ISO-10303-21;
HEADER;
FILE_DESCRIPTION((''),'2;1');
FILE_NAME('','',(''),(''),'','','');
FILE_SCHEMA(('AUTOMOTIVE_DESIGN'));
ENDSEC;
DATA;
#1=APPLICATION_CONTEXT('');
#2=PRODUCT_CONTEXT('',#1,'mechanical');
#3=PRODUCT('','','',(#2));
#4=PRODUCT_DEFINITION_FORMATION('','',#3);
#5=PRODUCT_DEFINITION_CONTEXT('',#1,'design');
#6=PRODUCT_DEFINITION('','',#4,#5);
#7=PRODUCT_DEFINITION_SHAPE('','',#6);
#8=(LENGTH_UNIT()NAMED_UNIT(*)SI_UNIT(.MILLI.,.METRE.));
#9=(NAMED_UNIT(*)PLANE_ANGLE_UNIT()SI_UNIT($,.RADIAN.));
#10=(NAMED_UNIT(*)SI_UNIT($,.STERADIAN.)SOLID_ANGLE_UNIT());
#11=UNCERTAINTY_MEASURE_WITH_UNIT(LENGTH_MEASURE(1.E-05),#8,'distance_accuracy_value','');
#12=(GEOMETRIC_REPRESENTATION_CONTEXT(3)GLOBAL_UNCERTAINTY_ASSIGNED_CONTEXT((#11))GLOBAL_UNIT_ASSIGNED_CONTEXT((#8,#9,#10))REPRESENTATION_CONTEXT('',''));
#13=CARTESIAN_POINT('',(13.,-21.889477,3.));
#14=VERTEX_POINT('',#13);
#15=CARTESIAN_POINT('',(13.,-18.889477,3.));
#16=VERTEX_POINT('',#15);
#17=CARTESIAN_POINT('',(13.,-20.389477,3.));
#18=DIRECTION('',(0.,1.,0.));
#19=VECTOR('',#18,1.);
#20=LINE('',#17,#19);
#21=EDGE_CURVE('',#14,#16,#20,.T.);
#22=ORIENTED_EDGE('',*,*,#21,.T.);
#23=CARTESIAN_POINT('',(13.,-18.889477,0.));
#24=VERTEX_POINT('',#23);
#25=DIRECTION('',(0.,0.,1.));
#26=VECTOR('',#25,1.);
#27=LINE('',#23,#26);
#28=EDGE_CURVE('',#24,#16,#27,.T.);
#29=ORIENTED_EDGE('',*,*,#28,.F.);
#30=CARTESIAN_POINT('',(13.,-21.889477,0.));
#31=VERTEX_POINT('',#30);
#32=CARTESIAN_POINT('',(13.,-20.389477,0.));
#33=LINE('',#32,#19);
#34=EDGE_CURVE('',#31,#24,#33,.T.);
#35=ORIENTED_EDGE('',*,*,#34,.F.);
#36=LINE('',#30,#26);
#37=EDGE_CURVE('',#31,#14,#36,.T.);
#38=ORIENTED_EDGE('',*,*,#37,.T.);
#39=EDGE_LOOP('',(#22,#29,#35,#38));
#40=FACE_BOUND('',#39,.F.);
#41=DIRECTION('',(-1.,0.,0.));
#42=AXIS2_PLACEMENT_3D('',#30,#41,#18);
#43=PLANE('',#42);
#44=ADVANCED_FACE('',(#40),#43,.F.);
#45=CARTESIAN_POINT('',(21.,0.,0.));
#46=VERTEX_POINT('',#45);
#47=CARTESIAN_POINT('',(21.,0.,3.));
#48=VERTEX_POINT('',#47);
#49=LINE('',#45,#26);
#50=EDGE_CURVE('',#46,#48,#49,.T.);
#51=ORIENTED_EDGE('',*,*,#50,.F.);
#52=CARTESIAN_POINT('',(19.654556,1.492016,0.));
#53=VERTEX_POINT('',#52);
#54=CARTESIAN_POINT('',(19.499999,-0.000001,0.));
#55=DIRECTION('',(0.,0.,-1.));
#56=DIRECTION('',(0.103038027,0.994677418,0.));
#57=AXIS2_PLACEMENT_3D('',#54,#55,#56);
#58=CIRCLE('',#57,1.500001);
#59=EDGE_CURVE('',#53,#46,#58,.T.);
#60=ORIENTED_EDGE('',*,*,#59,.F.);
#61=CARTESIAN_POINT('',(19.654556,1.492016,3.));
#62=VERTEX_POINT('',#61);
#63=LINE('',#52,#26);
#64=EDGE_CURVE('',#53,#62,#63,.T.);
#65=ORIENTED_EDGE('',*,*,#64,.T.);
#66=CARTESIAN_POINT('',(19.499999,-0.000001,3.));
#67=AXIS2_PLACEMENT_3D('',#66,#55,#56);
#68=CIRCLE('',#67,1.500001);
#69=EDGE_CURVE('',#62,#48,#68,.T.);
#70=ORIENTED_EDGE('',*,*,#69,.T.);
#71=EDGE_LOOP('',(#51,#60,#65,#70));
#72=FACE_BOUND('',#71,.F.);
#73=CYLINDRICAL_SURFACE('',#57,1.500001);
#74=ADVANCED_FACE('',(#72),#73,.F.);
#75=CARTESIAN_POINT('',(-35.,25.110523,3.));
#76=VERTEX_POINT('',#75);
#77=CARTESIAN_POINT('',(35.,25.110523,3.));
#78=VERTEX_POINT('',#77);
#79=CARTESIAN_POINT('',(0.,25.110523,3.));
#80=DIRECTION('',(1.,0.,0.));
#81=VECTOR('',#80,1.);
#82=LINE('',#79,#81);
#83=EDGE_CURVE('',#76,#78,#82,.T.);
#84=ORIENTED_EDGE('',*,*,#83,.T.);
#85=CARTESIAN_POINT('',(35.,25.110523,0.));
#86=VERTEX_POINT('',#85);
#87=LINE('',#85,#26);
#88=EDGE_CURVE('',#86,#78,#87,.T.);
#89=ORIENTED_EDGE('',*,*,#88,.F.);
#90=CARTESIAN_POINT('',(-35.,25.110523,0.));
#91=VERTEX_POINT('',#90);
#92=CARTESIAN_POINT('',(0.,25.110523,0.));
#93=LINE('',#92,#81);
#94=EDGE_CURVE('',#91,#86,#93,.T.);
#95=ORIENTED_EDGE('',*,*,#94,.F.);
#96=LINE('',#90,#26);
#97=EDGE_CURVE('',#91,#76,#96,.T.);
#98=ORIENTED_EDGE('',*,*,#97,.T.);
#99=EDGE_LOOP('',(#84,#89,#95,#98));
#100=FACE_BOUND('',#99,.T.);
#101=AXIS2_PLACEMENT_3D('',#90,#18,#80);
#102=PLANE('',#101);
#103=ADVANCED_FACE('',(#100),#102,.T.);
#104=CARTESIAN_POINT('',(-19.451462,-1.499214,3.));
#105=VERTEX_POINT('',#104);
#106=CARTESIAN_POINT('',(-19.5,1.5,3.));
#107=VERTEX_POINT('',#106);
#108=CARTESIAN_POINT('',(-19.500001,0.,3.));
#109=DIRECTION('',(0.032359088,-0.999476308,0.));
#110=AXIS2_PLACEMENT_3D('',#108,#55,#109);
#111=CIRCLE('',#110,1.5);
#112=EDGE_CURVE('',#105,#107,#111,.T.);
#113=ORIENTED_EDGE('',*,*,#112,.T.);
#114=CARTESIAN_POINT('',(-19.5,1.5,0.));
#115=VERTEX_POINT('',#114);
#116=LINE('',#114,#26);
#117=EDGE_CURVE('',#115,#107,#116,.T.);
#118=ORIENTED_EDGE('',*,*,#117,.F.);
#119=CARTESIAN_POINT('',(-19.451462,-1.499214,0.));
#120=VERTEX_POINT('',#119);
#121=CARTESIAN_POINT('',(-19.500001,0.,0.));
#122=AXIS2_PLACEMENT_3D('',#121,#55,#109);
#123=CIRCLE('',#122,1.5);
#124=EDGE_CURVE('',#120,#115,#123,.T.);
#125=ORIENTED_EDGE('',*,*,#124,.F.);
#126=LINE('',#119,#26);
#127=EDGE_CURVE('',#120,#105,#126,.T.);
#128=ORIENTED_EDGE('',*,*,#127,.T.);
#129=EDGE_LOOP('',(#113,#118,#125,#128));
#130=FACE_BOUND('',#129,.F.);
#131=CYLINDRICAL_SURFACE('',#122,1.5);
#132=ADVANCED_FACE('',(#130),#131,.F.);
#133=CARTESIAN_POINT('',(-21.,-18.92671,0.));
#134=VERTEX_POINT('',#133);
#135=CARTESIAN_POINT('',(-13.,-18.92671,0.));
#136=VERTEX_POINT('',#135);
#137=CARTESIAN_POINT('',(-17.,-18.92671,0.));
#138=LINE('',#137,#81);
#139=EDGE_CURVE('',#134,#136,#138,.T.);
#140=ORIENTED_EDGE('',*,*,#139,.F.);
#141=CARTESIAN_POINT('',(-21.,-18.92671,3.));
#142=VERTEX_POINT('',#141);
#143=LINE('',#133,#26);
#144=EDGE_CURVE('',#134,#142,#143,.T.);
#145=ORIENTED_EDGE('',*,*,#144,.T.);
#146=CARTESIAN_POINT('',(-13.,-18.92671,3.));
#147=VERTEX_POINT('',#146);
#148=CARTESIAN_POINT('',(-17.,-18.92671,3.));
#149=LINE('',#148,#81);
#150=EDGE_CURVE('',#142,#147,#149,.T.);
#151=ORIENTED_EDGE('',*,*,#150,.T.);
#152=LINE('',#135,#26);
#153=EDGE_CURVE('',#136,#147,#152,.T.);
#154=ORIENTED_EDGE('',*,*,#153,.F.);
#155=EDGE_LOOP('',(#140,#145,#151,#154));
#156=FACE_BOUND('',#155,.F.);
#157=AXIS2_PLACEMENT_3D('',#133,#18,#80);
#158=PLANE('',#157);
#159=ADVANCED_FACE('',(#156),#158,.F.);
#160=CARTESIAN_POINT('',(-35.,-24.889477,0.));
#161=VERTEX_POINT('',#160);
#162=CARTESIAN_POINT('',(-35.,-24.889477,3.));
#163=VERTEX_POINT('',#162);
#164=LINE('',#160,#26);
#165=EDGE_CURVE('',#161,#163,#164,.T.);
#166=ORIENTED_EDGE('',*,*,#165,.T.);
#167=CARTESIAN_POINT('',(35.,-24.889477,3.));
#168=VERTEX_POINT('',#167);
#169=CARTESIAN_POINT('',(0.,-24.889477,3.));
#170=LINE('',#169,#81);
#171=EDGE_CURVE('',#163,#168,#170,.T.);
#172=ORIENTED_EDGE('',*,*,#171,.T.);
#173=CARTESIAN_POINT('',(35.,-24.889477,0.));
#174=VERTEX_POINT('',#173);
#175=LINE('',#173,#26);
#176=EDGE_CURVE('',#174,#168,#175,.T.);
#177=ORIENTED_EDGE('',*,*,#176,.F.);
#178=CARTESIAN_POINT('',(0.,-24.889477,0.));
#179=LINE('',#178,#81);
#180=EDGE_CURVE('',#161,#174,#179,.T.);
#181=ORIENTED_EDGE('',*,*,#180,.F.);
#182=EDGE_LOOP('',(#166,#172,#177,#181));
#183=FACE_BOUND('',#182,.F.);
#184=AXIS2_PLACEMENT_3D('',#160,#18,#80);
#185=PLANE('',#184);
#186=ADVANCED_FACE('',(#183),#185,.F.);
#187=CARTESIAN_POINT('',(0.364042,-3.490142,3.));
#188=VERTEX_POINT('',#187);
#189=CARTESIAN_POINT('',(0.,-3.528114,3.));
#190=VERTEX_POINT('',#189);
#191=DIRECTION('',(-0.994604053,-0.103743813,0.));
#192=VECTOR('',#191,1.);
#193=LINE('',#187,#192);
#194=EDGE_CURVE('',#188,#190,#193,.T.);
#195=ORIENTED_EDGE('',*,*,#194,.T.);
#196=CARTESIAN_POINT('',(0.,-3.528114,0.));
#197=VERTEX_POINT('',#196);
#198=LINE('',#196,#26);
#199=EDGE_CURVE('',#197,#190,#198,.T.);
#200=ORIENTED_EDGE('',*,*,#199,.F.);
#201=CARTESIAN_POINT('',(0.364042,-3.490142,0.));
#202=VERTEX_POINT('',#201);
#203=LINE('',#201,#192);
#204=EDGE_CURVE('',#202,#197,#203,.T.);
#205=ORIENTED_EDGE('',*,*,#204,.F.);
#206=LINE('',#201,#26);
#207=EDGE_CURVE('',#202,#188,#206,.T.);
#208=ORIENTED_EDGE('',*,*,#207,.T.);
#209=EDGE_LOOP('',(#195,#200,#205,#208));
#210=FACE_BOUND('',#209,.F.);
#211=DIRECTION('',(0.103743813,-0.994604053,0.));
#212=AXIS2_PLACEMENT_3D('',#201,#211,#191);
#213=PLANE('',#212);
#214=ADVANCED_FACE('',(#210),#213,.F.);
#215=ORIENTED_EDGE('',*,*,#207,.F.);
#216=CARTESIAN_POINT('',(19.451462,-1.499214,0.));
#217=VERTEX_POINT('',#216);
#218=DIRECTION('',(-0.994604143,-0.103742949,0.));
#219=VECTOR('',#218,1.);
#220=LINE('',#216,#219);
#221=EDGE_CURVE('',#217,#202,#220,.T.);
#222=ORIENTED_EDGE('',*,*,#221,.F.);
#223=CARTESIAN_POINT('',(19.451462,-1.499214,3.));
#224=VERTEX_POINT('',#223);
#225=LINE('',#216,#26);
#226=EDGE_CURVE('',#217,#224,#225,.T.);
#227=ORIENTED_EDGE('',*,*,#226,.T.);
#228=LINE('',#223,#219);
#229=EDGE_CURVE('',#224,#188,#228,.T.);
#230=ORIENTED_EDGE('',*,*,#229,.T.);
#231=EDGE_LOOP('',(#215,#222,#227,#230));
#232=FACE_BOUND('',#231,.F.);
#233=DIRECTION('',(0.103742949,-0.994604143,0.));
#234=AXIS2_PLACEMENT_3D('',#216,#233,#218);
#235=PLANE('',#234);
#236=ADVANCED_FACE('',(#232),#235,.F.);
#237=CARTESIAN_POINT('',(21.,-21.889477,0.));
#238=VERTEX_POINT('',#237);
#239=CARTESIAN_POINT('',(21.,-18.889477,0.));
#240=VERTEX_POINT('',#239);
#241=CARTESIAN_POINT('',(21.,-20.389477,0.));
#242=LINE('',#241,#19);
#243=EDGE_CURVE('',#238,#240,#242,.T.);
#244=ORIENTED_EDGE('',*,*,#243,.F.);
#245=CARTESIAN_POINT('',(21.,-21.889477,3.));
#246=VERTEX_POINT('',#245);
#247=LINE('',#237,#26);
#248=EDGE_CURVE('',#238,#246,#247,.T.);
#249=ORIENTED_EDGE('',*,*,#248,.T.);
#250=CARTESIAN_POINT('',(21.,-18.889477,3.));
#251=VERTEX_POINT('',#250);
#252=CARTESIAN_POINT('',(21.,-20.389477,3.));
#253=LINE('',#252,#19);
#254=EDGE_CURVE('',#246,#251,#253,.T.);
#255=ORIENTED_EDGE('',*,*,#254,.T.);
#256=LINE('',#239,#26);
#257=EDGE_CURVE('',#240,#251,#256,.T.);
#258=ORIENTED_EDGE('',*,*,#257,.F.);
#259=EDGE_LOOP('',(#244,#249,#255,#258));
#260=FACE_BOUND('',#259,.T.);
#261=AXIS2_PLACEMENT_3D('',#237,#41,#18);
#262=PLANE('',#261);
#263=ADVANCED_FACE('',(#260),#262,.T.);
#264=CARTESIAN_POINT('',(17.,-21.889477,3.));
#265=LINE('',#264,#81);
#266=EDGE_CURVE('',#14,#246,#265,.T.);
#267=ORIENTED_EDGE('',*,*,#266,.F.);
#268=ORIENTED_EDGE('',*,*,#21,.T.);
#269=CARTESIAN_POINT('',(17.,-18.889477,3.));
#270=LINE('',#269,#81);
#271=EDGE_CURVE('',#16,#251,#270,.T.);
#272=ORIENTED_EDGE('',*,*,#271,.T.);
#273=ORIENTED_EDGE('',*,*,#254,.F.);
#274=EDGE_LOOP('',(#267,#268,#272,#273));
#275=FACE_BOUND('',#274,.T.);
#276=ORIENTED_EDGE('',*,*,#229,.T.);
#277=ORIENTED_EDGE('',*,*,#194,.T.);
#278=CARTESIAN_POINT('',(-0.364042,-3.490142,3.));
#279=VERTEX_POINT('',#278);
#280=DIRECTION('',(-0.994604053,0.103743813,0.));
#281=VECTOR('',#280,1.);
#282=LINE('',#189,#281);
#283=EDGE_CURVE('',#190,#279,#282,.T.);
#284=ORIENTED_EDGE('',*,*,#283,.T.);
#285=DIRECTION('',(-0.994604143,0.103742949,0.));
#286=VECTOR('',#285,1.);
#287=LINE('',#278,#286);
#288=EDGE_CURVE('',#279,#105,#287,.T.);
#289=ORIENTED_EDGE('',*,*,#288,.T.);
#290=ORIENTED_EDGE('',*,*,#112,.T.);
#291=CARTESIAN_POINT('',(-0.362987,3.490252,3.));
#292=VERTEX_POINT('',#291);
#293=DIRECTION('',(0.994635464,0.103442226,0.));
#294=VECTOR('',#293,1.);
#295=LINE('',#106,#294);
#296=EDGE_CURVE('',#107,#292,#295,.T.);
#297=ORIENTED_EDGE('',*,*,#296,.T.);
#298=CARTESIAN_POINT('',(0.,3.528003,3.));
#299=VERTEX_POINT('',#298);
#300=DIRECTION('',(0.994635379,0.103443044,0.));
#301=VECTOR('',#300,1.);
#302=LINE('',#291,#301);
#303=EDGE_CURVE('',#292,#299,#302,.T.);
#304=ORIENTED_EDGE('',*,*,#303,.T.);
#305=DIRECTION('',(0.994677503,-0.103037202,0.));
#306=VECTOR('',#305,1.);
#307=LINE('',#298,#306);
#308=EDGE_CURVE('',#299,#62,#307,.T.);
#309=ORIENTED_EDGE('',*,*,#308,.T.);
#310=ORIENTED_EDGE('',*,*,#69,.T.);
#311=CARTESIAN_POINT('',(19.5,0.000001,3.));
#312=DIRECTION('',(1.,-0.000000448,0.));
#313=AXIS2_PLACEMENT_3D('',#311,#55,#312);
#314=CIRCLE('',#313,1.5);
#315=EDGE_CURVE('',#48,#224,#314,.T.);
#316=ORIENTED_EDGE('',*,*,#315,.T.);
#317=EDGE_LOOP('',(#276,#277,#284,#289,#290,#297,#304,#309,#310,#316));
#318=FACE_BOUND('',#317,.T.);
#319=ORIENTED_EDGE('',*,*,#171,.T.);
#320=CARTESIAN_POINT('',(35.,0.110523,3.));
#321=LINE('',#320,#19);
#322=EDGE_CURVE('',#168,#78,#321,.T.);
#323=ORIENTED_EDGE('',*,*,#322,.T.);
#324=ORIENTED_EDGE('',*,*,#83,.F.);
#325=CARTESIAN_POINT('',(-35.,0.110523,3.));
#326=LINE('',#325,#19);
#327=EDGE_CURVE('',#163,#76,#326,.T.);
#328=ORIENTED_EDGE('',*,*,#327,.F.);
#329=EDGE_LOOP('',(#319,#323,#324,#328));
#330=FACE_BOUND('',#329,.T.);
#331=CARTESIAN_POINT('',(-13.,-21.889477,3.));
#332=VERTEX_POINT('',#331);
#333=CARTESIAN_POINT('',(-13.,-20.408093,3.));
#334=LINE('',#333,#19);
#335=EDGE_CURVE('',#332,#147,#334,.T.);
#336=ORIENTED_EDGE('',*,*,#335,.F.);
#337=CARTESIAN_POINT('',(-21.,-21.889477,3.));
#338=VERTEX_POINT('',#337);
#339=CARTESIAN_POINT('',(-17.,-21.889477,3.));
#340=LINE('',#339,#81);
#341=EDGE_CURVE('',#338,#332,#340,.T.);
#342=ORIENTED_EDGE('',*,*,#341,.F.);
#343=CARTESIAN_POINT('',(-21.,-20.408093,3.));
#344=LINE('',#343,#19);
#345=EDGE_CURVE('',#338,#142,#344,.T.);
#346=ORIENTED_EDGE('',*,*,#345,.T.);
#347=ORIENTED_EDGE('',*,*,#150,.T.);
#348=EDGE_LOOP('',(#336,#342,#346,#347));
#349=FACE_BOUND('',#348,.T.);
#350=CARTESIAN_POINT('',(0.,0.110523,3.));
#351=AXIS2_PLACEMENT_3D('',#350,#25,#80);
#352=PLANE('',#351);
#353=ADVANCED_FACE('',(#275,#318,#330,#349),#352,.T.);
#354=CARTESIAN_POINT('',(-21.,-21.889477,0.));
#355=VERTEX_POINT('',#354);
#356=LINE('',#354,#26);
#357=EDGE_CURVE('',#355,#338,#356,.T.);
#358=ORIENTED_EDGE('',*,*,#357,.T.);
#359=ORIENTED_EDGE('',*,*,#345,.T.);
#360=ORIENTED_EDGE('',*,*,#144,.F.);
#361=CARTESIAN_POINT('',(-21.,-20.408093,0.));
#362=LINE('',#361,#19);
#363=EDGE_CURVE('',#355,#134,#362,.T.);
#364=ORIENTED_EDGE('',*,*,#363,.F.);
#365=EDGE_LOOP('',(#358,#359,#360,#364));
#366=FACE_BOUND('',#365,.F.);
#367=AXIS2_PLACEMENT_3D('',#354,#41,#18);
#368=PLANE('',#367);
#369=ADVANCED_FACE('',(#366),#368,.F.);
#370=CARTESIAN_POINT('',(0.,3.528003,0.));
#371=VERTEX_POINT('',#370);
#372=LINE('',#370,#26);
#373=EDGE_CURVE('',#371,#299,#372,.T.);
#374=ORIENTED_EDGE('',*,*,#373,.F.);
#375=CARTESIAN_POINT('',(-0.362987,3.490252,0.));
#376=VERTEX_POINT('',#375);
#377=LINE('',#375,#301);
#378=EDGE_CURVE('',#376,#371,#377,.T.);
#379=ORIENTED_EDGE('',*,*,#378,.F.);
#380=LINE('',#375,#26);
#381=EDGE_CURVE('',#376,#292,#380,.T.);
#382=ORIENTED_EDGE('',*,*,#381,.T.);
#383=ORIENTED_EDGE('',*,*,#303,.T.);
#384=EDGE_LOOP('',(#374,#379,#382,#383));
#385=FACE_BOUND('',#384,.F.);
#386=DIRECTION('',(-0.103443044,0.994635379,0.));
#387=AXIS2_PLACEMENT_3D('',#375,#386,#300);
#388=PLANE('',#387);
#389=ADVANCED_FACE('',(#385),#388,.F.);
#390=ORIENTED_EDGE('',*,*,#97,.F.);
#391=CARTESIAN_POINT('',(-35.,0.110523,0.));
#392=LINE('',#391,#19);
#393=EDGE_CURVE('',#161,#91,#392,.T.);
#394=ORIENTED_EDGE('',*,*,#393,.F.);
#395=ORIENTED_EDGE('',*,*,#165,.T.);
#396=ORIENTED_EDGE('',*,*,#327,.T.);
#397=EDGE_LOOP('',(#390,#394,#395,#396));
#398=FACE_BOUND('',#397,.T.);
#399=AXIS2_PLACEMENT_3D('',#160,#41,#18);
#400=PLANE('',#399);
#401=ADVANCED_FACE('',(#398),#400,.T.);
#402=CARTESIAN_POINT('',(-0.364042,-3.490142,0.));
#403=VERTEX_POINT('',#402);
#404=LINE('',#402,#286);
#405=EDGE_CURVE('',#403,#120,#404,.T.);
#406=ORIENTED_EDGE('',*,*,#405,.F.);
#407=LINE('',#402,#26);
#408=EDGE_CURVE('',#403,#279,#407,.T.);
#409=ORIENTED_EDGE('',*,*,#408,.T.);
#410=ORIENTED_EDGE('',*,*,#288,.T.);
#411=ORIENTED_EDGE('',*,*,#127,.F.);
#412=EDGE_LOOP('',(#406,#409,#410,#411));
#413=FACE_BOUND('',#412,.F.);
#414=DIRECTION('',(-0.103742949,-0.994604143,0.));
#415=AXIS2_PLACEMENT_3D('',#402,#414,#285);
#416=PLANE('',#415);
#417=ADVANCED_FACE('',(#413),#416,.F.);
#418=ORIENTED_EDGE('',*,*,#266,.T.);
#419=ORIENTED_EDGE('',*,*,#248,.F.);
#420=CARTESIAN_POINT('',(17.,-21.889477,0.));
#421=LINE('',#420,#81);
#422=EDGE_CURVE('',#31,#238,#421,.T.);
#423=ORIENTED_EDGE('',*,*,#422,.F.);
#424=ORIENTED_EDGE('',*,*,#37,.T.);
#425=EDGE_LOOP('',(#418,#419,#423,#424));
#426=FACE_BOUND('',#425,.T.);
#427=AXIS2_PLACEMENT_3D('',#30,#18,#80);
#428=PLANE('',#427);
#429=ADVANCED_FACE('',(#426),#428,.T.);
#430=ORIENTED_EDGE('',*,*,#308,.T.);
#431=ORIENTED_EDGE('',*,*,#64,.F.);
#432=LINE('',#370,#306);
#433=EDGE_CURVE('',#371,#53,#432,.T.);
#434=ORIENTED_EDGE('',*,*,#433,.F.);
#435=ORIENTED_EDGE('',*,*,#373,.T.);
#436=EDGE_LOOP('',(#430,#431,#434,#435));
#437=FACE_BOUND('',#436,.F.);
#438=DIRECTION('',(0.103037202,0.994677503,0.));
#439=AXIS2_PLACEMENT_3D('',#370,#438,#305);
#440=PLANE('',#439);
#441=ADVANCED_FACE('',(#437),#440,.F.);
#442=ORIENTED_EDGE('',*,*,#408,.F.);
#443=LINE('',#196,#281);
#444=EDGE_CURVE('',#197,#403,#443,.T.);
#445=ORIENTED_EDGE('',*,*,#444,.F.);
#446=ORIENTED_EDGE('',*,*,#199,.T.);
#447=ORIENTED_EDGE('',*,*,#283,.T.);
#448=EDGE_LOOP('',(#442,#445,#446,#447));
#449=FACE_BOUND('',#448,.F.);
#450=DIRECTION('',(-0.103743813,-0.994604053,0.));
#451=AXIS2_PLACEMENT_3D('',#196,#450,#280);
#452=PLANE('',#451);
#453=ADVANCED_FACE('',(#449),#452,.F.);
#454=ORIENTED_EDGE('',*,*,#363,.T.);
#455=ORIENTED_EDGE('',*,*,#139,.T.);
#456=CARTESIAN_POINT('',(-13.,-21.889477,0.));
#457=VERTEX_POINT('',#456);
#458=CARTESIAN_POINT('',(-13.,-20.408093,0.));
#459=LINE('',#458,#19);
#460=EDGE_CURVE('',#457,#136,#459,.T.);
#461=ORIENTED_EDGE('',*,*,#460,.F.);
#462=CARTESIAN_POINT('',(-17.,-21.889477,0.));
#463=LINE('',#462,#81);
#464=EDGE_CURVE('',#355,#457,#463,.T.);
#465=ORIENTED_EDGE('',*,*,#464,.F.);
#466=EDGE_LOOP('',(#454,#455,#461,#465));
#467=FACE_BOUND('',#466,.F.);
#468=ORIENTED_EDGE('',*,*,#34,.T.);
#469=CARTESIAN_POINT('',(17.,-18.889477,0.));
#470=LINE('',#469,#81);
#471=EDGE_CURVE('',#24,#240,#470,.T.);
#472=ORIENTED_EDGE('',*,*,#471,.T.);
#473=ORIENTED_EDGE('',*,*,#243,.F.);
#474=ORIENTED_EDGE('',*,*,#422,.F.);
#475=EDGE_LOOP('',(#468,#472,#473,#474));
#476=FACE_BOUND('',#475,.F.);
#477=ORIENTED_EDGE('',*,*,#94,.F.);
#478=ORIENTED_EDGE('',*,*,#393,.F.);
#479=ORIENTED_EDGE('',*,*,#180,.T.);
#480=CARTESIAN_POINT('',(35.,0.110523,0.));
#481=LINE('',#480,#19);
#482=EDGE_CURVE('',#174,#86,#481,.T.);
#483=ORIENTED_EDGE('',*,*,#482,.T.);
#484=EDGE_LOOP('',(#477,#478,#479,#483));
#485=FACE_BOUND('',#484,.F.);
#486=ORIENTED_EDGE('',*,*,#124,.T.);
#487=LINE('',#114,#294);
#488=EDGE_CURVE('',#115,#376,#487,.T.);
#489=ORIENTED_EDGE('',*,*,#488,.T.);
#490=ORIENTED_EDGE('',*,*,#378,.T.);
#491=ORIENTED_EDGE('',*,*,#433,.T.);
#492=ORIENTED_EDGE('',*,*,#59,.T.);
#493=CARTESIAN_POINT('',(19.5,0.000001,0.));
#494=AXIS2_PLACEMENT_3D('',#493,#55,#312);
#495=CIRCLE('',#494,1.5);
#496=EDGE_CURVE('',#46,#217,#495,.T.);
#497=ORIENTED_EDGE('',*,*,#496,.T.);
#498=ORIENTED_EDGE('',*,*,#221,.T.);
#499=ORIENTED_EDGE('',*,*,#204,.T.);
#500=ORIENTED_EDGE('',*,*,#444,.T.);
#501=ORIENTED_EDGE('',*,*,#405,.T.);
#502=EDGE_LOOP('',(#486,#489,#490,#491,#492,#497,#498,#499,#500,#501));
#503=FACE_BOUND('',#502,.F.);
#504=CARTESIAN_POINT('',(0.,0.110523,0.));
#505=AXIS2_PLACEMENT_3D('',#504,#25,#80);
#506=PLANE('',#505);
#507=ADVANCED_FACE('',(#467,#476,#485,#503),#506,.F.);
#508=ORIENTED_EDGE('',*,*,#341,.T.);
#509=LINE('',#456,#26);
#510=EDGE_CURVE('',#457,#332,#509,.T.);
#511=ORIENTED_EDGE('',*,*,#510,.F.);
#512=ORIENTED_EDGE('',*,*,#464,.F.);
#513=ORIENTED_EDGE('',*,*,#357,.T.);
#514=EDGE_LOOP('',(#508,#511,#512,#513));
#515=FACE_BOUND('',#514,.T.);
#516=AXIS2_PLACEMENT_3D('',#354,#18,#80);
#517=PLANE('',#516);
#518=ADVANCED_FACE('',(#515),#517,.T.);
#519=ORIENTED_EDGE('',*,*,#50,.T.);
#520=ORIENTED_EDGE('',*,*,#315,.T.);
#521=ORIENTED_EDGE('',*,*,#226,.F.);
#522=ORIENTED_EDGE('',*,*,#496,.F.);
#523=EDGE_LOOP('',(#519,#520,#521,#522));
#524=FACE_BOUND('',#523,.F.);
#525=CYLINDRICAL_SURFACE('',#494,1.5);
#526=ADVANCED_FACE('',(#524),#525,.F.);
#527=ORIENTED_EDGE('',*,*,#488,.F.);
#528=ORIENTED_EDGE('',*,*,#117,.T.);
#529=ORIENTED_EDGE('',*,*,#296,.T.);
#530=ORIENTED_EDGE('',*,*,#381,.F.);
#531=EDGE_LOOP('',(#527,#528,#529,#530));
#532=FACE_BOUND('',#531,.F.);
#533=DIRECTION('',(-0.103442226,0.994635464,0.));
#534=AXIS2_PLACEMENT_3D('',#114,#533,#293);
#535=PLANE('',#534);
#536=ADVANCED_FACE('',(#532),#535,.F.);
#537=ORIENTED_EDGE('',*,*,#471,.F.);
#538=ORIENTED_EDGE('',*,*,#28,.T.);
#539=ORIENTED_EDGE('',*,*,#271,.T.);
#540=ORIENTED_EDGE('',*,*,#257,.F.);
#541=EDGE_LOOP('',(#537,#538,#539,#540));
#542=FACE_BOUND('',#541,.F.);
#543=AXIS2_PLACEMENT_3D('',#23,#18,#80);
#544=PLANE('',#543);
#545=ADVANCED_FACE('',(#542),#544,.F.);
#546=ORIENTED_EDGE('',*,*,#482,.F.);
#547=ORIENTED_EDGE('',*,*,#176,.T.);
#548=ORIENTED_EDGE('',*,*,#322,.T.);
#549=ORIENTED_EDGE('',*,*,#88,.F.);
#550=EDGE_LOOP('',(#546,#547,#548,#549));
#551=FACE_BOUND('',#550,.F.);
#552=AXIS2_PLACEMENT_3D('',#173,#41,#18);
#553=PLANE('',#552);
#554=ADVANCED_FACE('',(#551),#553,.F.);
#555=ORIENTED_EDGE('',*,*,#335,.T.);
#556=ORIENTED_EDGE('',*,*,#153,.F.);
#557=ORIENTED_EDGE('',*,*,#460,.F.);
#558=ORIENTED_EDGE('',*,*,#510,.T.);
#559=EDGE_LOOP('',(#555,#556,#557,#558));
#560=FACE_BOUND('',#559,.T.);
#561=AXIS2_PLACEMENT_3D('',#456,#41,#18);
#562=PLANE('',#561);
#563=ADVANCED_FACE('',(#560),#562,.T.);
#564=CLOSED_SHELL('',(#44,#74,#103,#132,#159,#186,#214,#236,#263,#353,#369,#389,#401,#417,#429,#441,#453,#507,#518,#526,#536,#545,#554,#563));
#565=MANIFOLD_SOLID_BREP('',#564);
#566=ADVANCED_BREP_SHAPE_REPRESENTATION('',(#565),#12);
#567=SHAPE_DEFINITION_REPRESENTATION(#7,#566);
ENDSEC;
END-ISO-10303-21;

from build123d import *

# Parameters (mm, degrees)
F0_W     = 70
F0_H     = 50
F0_W_2   = 8
F0_H_2   = 2.962767
F0_H_3   = 3
F1_DEPTH = 3


with BuildPart() as f1:
    # F0 (on Top) → F1 (new body)
    with BuildSketch(Plane.XY):
        with Locations((0, 0.110523)):
            Rectangle(F0_W, F0_H)
        with Locations((-17, -20.408093)):
            Rectangle(F0_W_2, F0_H_2, mode=Mode.SUBTRACT)
        with Locations((17, -20.389477)):
            Rectangle(F0_W_2, F0_H_3, mode=Mode.SUBTRACT)
        with BuildLine():
            ThreePointArc((-19.451462, -1.499214), (-20.999804, -0.024272), (-19.5, 1.5))
            Line((-19.5, 1.5), (-0.362987, 3.490252))
            Line((-0.362987, 3.490252), (0, 3.528003))
            Line((0, 3.528003), (19.654556, 1.492016))
            ThreePointArc((19.654556, 1.492016), (20.613964, 1.004531), (21, 0))
            ThreePointArc((21, 0), (20.543358, -1.077684), (19.451462, -1.499214))
            Line((19.451462, -1.499214), (0.364042, -3.490142))
            Line((0.364042, -3.490142), (0, -3.528114))
            Line((0, -3.528114), (-0.364042, -3.490142))
            Line((-0.364042, -3.490142), (-19.451462, -1.499214))
        make_face(mode=Mode.SUBTRACT)
    extrude(amount=F1_DEPTH)


solid = f1.part
